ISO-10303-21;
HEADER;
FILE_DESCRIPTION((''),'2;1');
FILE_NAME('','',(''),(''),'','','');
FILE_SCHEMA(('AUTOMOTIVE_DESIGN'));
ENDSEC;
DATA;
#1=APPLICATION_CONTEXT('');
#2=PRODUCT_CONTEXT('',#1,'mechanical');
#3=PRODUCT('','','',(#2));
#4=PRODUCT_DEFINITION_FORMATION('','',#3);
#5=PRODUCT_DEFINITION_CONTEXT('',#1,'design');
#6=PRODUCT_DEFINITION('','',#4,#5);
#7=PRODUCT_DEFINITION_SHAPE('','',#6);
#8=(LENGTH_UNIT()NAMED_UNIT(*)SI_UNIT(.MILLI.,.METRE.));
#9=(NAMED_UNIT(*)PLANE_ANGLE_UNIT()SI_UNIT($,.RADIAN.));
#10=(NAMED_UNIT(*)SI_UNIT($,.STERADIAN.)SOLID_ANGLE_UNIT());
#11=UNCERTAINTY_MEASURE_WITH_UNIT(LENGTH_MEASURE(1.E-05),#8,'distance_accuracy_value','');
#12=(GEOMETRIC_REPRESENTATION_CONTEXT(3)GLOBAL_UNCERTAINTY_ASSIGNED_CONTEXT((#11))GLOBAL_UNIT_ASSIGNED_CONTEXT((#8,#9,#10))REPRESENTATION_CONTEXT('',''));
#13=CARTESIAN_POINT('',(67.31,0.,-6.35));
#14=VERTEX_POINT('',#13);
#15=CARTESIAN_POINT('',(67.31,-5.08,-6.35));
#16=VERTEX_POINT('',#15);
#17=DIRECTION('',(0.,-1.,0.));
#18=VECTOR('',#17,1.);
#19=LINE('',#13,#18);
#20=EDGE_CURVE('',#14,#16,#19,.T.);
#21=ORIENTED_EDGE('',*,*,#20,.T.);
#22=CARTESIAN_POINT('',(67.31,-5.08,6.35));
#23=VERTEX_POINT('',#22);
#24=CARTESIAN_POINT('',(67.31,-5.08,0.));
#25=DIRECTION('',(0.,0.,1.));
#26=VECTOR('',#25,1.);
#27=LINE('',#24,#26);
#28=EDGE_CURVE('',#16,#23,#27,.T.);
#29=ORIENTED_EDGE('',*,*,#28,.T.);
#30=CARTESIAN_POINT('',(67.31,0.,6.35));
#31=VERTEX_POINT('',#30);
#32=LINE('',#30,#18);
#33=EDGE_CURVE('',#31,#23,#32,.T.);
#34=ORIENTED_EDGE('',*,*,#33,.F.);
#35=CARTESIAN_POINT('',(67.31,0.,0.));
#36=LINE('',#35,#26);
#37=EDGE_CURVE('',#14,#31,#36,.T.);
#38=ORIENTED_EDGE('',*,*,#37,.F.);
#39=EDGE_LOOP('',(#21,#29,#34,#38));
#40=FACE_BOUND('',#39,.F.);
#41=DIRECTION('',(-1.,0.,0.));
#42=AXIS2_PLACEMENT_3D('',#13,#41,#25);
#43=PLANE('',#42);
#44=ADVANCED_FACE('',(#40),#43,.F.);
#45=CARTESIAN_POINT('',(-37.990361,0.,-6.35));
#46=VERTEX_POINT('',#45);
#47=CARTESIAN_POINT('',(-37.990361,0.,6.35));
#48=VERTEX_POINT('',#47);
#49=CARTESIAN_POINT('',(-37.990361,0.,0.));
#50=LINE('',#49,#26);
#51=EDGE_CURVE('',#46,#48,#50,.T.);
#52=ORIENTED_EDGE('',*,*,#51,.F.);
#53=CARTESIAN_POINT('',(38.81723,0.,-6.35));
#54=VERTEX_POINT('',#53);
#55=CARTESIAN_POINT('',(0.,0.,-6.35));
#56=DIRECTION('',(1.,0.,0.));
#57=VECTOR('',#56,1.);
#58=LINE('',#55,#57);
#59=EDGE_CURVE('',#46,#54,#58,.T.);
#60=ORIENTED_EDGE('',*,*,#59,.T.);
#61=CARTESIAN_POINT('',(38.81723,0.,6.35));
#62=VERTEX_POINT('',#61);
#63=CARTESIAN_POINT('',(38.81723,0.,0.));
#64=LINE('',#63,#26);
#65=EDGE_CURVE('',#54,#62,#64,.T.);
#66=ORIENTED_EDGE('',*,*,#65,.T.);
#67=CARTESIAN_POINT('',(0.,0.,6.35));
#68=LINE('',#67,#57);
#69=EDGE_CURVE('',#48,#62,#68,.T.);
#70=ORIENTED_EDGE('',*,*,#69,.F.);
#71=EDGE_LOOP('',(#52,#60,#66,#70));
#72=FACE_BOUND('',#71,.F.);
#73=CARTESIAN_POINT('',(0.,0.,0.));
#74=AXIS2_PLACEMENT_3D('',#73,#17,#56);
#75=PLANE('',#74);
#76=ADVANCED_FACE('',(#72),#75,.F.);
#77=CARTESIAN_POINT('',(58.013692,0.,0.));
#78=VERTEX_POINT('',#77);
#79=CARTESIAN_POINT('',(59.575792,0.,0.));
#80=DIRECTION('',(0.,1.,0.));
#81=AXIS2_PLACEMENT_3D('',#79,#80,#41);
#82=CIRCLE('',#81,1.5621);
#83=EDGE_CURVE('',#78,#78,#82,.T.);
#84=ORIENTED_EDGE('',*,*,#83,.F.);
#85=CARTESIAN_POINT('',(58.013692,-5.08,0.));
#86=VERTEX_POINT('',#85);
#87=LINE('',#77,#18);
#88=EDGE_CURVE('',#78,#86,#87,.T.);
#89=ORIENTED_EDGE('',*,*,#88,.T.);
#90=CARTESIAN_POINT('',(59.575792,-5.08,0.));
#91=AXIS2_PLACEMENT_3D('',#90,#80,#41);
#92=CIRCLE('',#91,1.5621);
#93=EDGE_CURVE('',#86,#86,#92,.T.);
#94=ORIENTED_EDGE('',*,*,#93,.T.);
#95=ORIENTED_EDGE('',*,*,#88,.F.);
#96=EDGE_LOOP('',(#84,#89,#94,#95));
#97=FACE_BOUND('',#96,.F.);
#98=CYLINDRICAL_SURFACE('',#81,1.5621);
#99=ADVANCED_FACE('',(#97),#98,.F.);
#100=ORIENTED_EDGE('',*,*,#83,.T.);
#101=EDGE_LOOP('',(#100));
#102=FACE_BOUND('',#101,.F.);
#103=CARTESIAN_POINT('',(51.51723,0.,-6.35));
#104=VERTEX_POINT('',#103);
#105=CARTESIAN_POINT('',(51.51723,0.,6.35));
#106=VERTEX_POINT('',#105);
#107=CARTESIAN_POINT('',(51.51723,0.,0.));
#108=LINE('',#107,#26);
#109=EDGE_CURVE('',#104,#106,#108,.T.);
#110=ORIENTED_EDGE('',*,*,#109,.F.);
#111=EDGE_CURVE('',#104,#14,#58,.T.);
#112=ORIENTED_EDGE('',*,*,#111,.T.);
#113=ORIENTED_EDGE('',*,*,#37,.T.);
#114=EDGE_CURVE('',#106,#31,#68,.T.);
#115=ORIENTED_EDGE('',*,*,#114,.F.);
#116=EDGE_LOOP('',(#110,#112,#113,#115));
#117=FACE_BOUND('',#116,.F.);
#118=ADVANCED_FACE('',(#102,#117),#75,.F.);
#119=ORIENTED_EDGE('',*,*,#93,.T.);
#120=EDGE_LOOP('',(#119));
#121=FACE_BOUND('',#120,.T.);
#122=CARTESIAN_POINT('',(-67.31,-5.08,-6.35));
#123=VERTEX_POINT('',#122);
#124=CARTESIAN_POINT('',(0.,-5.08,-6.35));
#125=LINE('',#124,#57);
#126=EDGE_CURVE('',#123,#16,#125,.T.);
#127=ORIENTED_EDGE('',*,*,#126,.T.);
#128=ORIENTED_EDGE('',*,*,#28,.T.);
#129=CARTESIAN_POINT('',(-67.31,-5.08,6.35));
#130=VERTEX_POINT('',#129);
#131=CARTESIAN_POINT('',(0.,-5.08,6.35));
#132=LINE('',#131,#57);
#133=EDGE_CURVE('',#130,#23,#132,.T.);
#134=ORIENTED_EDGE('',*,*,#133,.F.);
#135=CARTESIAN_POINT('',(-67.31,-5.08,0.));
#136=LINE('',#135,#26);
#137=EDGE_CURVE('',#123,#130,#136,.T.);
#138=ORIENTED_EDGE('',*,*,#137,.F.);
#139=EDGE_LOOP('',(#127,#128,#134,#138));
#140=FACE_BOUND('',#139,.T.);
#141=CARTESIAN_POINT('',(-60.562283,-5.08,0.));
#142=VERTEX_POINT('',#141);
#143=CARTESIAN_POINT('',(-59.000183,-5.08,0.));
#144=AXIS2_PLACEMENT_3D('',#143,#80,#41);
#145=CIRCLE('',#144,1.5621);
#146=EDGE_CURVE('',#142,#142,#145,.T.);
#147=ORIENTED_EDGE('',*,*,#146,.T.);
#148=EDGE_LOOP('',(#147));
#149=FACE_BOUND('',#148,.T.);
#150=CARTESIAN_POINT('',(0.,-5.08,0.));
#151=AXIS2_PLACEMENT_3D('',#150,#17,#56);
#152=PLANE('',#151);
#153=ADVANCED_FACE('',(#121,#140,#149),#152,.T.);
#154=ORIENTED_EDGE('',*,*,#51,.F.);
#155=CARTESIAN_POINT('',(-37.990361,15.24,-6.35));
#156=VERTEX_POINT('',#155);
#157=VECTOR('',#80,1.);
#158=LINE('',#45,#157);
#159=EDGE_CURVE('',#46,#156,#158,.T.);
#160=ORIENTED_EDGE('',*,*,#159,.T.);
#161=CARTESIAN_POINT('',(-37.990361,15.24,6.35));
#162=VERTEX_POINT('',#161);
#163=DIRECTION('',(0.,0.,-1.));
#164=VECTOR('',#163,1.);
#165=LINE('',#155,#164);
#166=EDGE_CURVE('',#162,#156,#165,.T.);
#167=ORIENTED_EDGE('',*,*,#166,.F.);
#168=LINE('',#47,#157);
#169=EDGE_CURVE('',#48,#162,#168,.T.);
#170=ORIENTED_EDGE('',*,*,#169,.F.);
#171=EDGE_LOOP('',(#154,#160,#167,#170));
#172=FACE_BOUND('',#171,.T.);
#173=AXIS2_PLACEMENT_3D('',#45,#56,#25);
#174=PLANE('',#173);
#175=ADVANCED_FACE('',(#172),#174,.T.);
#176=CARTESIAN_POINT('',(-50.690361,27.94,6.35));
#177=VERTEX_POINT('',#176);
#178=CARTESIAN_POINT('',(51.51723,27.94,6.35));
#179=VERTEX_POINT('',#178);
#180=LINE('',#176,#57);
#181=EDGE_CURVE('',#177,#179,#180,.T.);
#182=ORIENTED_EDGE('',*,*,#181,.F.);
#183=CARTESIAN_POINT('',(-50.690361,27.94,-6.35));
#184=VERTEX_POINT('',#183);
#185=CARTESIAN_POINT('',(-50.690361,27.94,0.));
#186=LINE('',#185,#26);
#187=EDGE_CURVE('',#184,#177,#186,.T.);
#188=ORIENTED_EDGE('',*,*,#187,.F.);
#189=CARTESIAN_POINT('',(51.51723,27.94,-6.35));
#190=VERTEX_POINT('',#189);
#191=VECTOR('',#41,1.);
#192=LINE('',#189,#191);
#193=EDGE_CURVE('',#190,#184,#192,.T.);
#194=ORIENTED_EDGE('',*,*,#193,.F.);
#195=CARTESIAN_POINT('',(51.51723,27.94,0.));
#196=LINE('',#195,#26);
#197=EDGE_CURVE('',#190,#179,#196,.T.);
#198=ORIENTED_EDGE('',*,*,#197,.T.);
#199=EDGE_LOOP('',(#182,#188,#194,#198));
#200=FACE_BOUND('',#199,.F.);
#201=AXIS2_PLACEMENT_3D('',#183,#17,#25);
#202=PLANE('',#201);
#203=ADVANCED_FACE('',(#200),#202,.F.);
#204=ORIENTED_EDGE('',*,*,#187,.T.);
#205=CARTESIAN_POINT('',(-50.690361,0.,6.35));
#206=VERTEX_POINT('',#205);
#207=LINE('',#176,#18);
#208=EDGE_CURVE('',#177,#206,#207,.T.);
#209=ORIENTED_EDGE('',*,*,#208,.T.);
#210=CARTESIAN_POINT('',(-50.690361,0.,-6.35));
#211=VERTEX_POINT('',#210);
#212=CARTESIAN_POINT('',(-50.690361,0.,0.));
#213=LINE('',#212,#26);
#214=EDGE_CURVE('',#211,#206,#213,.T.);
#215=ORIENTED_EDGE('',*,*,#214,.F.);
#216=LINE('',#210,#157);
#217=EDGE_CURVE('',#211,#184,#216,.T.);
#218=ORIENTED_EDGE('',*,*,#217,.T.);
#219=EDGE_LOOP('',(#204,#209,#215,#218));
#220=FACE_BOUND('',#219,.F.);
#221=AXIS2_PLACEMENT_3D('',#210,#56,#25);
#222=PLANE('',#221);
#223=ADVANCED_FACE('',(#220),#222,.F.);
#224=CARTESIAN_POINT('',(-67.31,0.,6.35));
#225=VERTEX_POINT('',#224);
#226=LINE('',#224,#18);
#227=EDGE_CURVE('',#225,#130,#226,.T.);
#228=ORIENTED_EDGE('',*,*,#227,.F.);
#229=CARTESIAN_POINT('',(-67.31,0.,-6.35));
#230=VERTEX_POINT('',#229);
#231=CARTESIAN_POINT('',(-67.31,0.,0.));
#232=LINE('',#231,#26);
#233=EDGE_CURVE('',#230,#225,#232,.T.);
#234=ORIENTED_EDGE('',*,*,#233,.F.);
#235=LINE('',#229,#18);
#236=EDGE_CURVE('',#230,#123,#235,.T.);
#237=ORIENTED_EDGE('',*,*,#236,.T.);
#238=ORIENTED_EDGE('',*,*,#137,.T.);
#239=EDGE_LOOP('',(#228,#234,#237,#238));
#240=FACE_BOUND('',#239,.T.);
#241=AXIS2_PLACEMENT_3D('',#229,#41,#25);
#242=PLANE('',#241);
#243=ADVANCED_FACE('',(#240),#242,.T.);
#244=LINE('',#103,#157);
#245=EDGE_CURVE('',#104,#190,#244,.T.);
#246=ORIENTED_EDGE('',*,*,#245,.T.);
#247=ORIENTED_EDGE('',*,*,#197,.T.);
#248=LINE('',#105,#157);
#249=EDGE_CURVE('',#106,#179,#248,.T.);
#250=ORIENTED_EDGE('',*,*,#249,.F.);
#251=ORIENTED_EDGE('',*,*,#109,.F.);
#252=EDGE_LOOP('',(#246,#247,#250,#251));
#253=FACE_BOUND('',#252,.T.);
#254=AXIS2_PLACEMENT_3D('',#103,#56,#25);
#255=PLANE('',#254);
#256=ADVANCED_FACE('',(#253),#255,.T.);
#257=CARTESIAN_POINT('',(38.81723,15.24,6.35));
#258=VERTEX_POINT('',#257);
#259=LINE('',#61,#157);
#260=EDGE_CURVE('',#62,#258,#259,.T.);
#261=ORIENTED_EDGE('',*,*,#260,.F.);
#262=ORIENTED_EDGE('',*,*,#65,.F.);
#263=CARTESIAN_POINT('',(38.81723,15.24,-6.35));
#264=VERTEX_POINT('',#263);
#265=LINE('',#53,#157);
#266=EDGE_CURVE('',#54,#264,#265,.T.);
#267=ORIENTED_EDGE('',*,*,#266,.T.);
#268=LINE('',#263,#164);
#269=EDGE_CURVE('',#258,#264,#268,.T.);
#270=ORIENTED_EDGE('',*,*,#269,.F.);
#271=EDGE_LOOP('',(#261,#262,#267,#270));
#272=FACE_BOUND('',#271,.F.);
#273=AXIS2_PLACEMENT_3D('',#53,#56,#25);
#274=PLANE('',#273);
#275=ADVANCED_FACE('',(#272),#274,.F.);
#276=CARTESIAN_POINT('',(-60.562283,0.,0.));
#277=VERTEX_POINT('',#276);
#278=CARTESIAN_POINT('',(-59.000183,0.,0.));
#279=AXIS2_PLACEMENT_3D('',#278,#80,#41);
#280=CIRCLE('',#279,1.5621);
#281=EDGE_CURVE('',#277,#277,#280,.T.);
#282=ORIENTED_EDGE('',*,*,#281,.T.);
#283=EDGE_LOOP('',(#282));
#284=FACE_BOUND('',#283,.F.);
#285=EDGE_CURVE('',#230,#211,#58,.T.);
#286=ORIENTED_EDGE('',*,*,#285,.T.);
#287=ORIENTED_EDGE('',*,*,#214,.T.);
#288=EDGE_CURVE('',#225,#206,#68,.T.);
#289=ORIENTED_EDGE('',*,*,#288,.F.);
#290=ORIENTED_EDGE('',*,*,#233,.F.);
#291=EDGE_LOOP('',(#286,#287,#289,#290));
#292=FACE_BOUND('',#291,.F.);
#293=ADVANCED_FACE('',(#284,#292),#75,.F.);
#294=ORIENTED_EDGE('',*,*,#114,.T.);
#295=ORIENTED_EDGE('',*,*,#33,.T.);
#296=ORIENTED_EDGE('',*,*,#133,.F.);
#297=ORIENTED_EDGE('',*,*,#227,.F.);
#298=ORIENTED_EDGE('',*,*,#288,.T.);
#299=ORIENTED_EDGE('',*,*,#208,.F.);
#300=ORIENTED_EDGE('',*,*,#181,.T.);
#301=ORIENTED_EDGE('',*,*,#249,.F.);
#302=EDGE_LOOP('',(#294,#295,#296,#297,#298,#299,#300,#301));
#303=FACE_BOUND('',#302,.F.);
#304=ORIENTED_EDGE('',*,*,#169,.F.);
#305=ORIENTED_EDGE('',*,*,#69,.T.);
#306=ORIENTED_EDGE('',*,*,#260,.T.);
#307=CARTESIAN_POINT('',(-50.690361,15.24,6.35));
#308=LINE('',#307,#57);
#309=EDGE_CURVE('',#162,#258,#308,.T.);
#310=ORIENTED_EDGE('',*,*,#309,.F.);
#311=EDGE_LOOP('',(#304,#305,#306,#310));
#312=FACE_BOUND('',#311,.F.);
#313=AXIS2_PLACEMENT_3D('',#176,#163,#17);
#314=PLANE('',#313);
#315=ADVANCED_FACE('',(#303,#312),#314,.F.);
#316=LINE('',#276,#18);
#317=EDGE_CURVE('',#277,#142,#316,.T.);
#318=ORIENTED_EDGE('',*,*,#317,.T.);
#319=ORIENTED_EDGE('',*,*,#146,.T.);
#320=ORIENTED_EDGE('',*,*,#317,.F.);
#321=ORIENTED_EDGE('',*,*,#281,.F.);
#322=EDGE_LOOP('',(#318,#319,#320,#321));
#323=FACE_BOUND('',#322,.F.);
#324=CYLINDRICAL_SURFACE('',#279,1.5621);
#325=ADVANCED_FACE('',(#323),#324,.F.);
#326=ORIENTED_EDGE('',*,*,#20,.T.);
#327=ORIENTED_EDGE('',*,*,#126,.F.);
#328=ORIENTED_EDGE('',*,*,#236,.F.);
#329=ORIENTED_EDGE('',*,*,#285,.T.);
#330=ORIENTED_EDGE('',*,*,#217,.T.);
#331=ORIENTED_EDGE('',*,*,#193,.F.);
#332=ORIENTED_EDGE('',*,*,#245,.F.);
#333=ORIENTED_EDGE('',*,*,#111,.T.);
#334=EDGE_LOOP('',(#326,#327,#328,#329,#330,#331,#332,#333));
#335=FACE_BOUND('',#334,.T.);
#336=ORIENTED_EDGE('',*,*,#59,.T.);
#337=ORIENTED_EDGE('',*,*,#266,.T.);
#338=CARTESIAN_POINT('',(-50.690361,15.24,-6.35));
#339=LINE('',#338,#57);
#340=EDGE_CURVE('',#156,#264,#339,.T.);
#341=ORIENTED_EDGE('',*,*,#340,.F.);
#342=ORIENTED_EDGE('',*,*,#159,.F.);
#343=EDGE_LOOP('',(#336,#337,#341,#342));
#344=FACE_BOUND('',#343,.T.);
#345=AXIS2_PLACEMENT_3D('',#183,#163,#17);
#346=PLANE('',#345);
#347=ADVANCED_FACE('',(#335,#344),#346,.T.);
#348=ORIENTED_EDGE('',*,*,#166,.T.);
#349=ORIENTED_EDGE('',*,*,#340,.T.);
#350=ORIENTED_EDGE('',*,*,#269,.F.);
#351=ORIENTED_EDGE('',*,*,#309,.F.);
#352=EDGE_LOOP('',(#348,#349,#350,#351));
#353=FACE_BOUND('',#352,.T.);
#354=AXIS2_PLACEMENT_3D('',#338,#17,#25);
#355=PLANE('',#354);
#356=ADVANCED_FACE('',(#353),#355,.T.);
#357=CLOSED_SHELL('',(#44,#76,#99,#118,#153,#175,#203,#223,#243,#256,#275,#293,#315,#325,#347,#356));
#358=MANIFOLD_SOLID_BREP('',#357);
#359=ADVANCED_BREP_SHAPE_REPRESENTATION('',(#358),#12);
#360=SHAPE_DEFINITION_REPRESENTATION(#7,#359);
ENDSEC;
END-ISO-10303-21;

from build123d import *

# Parameters (mm, degrees)
F0_W     = 134.62
F0_H     = 12.7
F1_DEPTH = 5.08
F2_W     = 12.7
F2_H     = 12.7
F3_DEPTH = 27.94
F4_W     = 12.7
F4_H     = 12.7
F5_DEPTH = 99.314
F6_R     = 1.5621
F7_DEPTH = 25.4
F8_R     = 1.5621
F9_DEPTH = 25.4


with BuildPart() as f1:
    # F0 (on Front) → F1 (new body)
    with BuildSketch(Plane.XZ):
        Rectangle(F0_W, F0_H)
    extrude(amount=F1_DEPTH)

    # F2 (on face) → F3 (join)
    with BuildSketch(Plane(origin=(0, 0, 0), x_dir=(-1, 0, 0), z_dir=(0, 1, 0))):
        with Locations((-45.16723, 0)):
            Rectangle(F2_W, F2_H)
        with Locations((44.340361, 0)):
            Rectangle(F2_W, F2_H)
    extrude(amount=F3_DEPTH)

    # F4 (on face) → F5 (join)
    with BuildSketch(Plane(origin=(-50.690361, 0, 0), x_dir=(0, -1, 0), z_dir=(-1, 0, 0))):
        with Locations((-21.59, 0)):
            Rectangle(F4_W, F4_H)
    extrude(amount=-F5_DEPTH)

    # F6 (on face) → F7 (cut)
    with BuildSketch(Plane(origin=(0, 0, 0), x_dir=(-1, 0, 0), z_dir=(0, 1, 0))):
        with Locations((-59.575792, 0)):
            Circle(F6_R)
    extrude(amount=-F7_DEPTH, mode=Mode.SUBTRACT)

    # F8 (on face) → F9 (cut)
    with BuildSketch(Plane(origin=(0, 0, 0), x_dir=(-1, 0, 0), z_dir=(0, 1, 0))):
        with Locations((59.000183, 0)):
            Circle(F8_R)
    extrude(amount=-F9_DEPTH, mode=Mode.SUBTRACT)


solid = f1.part
